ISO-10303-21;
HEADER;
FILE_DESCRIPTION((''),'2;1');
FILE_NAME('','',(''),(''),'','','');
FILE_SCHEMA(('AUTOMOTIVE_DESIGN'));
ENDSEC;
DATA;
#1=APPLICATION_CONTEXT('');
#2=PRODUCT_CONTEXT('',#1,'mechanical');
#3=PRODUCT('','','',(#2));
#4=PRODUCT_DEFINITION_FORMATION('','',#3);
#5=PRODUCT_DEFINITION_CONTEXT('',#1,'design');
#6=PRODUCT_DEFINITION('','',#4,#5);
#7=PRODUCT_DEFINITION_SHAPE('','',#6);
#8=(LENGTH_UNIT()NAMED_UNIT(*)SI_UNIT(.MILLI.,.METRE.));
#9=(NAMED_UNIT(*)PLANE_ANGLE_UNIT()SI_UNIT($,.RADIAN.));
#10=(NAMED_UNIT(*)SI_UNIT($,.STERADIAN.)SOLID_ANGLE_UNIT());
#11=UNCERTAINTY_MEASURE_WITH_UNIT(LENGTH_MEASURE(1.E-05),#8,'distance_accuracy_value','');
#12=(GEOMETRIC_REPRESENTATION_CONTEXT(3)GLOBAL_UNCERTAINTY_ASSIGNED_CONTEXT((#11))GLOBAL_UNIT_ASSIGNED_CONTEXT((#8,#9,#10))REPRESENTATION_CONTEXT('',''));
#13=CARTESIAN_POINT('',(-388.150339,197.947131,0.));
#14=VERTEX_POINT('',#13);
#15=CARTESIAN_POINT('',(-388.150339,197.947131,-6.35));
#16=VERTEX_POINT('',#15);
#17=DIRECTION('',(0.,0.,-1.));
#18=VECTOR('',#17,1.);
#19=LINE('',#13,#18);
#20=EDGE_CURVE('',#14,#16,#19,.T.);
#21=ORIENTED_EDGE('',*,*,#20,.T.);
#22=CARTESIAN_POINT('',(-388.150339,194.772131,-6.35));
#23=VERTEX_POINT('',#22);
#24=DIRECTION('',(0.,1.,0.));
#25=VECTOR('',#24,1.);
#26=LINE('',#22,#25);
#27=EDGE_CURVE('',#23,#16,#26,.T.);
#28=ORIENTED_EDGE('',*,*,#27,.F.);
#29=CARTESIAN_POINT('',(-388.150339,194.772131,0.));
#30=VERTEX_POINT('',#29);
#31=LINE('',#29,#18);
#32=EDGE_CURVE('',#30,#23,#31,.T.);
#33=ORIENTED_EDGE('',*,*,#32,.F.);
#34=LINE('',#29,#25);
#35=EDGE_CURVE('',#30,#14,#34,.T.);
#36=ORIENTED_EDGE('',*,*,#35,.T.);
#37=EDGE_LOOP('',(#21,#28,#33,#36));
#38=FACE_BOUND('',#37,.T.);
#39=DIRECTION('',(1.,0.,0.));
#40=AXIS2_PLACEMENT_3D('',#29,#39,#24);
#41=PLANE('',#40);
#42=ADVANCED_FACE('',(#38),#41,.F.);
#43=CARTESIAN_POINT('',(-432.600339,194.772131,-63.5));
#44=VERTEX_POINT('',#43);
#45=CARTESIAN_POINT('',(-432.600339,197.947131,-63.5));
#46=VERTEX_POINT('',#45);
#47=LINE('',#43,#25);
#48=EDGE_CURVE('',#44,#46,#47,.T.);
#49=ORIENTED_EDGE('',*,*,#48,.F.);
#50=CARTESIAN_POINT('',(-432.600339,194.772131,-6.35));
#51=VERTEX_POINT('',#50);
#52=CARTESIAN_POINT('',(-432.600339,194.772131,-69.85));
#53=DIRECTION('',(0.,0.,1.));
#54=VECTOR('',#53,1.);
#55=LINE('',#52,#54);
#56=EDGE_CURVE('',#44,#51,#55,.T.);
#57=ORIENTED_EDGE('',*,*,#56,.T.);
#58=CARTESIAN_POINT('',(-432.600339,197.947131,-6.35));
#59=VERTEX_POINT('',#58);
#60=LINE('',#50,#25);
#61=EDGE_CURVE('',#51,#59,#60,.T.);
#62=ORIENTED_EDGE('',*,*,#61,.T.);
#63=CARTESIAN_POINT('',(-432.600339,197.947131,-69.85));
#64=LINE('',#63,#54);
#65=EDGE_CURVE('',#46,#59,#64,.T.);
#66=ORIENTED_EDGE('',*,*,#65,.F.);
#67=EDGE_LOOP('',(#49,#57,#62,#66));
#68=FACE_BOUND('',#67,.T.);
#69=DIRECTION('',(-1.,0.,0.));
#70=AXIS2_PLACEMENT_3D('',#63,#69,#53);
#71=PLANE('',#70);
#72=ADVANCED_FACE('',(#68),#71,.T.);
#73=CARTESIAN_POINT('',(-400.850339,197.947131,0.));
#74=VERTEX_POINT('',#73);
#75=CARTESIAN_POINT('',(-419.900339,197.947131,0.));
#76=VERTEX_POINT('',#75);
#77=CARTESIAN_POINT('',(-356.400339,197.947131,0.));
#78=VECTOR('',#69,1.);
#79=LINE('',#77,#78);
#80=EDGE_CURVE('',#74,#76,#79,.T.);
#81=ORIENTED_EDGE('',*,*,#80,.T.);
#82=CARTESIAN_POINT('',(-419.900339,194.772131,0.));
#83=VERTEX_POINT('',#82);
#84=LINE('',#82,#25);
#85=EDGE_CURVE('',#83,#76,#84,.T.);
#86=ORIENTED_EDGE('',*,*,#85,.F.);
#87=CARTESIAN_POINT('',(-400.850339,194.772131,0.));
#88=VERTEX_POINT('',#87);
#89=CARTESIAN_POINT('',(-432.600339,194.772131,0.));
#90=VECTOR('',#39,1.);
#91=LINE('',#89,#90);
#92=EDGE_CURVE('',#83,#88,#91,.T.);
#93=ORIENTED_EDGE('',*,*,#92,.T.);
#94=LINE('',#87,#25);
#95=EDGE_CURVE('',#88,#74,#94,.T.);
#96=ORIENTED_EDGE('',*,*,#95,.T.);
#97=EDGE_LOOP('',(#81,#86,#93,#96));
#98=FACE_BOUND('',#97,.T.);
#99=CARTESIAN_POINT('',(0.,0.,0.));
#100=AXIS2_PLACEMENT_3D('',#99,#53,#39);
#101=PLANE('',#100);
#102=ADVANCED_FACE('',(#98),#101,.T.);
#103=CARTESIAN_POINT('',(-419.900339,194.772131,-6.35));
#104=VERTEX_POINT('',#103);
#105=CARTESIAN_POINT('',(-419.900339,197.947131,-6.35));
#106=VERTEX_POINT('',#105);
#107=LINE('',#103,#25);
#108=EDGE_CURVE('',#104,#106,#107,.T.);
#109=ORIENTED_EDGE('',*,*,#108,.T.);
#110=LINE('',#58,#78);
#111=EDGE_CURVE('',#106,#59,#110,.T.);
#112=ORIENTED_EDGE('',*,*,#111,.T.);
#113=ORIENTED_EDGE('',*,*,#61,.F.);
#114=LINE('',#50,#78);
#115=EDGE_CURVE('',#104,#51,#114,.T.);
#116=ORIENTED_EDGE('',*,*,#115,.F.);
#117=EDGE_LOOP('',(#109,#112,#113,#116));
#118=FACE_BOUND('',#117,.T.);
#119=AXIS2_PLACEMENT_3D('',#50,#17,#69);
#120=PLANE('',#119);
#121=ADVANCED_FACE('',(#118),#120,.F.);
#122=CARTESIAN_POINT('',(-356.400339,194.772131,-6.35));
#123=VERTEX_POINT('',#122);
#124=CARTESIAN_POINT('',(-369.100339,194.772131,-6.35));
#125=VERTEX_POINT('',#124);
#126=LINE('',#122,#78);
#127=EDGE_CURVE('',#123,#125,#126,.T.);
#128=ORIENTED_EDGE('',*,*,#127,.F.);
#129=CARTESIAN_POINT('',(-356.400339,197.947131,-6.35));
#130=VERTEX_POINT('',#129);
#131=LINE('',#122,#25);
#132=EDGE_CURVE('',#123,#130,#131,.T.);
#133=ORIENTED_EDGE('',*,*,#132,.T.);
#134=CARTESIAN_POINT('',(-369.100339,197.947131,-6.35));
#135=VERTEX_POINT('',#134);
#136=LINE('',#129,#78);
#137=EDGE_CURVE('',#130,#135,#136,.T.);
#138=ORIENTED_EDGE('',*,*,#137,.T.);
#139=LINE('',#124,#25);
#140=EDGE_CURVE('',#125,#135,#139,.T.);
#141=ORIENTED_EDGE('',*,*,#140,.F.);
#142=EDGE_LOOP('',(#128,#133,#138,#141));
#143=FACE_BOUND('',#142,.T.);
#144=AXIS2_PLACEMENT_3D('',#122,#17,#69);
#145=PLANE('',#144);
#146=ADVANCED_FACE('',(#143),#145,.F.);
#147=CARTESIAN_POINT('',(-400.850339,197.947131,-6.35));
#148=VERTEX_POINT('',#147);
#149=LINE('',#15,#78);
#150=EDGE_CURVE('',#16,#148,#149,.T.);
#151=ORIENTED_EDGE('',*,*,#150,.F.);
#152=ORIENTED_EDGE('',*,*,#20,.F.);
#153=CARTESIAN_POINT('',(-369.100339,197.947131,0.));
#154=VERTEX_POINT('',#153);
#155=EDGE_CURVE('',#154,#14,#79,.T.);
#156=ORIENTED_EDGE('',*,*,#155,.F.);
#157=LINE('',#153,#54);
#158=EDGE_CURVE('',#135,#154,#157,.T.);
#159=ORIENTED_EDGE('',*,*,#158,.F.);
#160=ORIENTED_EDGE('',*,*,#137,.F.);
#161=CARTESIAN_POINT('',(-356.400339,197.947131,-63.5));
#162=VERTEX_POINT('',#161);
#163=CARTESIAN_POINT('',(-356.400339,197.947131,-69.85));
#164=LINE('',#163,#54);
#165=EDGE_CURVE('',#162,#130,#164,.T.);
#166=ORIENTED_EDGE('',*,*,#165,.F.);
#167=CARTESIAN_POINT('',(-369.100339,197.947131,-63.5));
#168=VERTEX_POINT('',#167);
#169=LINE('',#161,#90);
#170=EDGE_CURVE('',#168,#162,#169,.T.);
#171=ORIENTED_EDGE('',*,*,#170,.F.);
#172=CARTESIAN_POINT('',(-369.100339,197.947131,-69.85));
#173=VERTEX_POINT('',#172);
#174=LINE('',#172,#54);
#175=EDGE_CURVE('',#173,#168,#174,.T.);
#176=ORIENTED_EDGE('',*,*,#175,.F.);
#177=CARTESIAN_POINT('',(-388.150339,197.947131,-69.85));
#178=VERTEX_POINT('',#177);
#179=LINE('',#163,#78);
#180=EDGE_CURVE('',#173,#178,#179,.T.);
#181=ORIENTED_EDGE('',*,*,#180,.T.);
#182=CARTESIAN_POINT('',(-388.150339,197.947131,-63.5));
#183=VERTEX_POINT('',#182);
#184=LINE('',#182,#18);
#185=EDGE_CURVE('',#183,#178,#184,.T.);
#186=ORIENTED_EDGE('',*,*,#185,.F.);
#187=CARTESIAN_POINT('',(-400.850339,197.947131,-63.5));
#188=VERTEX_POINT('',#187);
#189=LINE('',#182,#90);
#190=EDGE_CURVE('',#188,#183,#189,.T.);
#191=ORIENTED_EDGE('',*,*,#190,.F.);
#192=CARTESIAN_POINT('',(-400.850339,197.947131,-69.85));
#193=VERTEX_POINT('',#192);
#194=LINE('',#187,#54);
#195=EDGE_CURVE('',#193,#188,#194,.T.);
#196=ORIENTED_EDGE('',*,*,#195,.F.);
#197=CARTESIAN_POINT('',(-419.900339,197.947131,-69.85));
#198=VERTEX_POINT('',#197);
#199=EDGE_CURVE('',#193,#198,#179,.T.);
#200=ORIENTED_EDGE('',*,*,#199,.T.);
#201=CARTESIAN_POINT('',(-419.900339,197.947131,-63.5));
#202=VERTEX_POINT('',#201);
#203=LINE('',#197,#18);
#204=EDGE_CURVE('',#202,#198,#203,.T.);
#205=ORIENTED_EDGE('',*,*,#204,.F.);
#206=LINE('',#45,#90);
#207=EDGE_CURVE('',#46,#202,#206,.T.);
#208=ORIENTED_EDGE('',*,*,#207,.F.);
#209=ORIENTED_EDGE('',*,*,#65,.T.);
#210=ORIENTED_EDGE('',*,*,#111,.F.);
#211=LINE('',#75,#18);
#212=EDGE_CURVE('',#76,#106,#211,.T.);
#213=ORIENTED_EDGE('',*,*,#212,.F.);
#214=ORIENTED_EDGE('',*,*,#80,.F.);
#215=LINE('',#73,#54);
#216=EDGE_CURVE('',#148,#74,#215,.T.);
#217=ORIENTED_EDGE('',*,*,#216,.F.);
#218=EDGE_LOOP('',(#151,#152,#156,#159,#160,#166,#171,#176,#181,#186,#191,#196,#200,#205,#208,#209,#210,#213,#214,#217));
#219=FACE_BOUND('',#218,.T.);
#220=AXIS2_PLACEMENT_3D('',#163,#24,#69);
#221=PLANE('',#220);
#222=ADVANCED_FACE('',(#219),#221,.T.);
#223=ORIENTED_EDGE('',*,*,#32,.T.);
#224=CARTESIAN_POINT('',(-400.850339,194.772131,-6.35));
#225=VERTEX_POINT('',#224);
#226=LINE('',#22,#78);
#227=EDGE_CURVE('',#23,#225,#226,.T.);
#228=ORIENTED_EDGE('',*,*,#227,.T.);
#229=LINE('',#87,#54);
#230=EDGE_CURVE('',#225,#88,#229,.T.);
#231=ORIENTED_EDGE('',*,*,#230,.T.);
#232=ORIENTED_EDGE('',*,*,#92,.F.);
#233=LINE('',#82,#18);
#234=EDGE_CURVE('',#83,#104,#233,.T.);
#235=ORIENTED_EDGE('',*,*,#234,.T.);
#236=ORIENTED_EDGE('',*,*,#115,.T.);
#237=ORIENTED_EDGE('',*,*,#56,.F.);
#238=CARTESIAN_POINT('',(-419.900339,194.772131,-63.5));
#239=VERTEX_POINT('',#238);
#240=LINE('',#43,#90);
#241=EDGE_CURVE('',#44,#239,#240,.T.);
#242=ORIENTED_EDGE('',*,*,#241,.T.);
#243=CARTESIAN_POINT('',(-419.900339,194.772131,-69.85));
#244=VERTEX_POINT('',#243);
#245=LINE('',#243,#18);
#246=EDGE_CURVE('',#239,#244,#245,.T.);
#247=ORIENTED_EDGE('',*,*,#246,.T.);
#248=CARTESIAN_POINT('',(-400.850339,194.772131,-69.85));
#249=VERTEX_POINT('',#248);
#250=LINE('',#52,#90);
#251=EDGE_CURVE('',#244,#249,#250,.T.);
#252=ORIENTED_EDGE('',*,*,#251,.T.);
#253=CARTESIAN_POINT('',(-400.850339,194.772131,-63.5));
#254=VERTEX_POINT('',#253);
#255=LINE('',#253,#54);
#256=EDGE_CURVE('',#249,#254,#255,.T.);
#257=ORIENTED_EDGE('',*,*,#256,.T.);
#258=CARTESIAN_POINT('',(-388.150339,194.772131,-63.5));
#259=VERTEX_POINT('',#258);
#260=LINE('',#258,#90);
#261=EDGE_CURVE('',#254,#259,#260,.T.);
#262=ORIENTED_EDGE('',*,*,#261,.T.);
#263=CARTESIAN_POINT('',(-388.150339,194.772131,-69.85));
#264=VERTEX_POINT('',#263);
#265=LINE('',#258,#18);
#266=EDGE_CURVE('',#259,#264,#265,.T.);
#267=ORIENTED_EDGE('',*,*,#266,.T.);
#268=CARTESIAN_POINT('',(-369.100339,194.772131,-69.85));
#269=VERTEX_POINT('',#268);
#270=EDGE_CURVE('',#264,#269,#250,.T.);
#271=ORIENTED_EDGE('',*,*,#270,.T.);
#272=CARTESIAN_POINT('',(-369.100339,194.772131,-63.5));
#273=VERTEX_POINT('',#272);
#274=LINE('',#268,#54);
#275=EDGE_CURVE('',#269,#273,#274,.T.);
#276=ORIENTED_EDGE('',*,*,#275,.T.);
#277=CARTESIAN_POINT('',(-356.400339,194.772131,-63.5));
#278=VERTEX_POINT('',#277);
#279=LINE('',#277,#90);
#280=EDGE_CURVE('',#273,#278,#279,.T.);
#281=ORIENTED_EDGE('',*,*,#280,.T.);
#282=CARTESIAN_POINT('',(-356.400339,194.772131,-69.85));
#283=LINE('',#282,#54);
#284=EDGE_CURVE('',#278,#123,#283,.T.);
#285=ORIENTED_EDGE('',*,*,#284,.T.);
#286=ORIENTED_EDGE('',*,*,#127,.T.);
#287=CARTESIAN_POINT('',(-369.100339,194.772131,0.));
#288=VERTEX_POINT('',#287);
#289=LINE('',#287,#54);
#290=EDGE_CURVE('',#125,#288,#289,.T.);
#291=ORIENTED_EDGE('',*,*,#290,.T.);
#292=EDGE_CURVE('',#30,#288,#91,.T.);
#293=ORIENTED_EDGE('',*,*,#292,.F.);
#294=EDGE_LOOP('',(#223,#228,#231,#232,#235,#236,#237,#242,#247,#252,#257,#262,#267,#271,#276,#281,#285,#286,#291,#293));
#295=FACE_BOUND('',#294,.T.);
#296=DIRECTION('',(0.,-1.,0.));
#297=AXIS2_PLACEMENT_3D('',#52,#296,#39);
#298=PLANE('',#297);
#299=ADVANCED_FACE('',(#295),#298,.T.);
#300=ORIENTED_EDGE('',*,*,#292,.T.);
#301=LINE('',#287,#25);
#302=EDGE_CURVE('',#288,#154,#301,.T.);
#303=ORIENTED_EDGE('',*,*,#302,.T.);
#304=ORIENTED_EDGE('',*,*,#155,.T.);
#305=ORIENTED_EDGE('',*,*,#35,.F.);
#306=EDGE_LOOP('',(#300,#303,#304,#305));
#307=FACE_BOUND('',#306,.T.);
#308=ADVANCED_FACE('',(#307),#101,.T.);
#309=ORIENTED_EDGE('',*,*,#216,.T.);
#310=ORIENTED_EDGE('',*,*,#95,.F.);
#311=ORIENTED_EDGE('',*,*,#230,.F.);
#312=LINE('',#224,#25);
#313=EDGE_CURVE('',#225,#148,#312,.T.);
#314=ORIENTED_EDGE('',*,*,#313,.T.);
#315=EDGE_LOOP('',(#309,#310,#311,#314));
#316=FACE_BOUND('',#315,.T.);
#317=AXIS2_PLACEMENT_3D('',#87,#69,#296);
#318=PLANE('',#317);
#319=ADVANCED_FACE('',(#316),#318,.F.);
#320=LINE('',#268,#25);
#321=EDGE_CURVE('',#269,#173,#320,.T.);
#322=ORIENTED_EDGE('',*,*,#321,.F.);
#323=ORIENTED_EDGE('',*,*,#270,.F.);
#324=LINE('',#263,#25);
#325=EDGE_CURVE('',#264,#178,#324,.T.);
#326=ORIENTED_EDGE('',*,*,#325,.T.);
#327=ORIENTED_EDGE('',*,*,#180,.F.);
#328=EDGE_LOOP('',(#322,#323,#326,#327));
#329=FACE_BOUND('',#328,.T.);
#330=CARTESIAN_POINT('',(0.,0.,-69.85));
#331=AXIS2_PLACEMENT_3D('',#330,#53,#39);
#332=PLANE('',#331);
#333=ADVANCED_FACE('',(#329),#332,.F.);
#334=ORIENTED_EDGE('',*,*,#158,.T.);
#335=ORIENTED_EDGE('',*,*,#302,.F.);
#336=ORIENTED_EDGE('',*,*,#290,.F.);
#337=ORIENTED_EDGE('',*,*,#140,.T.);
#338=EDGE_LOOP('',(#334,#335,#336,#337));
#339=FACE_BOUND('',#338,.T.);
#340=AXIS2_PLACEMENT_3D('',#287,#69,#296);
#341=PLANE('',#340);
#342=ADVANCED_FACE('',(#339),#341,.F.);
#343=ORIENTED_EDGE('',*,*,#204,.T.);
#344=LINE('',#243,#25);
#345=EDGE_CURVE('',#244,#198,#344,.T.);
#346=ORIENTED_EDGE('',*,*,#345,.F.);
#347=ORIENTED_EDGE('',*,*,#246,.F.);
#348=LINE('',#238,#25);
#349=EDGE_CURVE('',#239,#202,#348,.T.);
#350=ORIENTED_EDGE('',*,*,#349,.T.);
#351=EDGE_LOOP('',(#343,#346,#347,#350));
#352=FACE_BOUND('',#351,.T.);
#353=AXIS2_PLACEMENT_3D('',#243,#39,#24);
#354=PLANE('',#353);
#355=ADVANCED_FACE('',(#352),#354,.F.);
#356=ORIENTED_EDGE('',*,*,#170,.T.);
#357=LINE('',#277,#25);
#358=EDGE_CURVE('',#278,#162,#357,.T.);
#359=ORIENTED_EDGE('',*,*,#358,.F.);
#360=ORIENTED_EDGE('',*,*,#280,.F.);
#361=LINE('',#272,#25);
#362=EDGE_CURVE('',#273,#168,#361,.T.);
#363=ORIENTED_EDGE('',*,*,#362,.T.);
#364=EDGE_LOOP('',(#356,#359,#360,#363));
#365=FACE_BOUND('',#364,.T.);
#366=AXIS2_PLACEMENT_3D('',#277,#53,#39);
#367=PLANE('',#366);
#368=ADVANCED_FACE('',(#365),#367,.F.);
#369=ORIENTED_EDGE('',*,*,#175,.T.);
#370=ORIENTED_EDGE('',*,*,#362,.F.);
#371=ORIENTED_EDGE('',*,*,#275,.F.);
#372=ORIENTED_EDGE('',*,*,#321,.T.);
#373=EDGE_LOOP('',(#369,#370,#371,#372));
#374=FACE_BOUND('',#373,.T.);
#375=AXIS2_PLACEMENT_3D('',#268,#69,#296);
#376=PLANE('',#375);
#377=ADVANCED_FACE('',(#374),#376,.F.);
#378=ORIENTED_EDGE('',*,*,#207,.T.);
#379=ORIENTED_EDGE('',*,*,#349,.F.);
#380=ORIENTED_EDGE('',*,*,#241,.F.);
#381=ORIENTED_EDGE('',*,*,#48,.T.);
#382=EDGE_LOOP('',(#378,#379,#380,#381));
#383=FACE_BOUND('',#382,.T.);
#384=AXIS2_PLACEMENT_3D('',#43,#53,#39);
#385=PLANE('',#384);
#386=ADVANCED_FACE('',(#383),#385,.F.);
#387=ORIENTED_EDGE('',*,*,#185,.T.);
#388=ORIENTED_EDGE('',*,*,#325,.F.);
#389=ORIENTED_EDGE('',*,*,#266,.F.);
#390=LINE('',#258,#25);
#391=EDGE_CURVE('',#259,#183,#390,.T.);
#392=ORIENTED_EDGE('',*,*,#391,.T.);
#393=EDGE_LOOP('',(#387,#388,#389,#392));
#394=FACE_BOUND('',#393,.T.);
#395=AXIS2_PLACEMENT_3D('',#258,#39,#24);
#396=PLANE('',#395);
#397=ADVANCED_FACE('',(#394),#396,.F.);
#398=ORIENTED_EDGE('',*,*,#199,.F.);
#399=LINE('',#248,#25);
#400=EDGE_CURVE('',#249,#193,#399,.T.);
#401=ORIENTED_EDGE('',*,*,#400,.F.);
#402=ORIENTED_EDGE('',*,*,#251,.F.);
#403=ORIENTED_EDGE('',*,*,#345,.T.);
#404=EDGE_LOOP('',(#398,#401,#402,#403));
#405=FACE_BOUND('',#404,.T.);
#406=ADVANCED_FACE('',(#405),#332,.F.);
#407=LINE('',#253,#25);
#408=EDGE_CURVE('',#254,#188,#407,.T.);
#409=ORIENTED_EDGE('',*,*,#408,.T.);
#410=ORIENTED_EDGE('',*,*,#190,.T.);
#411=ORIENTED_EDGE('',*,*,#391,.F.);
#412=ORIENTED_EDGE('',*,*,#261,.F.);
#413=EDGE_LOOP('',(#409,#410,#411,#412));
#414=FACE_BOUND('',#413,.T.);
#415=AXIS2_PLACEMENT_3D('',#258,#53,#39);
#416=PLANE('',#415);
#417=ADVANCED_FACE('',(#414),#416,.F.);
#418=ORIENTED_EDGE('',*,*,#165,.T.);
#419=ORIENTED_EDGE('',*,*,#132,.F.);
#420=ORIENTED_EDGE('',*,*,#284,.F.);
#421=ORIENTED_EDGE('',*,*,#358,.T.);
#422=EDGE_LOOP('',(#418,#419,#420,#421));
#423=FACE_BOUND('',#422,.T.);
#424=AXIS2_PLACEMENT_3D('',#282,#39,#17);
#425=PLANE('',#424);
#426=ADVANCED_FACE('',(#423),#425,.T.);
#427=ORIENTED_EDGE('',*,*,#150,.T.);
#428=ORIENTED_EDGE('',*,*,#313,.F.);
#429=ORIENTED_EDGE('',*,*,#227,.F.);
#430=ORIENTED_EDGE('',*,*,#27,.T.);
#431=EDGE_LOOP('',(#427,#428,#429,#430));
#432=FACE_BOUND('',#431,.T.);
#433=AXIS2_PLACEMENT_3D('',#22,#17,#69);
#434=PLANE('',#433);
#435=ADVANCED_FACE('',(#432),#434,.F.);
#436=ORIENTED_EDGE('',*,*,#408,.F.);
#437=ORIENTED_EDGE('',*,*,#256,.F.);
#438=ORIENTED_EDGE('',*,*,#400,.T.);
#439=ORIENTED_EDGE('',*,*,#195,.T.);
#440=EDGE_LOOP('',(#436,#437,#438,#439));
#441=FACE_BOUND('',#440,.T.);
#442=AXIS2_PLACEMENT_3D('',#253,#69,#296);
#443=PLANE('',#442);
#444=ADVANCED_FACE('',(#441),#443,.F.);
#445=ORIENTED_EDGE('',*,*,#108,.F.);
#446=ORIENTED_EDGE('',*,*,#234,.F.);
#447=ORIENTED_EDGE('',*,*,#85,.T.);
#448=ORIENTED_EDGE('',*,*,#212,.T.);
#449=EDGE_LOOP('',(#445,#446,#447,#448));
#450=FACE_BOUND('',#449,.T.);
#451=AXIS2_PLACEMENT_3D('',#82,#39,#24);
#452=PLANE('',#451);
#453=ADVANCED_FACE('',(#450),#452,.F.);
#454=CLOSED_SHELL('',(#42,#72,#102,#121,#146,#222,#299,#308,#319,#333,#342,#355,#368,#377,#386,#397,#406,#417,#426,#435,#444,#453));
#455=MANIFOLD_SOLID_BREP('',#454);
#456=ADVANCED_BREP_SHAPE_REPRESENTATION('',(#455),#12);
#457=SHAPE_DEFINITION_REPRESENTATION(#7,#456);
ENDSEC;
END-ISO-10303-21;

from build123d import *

# Parameters (mm, degrees)
SKETCH1_W           = 76.2
SKETCH1_H           = 3.175
BOSS_EXTRUDE1_DEPTH = 69.85
SKETCH2_W           = 12.7
SKETCH2_H           = 6.35
CUT_EXTRUDE1_DEPTH  = 439.214737942


with BuildPart() as part:
    # Sketch1 → Boss-Extrude1 (new body)
    with BuildSketch(Plane.XY):
        with Locations((-394.500339141, 196.359630659)):
            Rectangle(SKETCH1_W, SKETCH1_H)
    extrude(amount=-BOSS_EXTRUDE1_DEPTH)

    # Sketch2 → Cut-Extrude1 (cut, through all)
    with BuildSketch(Plane(origin=(0, 197.947130659, 0), x_dir=(1, 0, 0), z_dir=(0, 1, 0))):
        with Locations((-362.750339141, 3.175)):
            Rectangle(SKETCH2_W, SKETCH2_H)
        with Locations((-394.500339141, 3.175)):
            Rectangle(SKETCH2_W, SKETCH2_H)
        with Locations((-426.250339141, 3.175)):
            Rectangle(SKETCH2_W, SKETCH2_H)
        with Locations((-362.750339141, 66.675)):
            Rectangle(SKETCH2_W, SKETCH2_H)
        with Locations((-394.500339141, 66.675)):
            Rectangle(SKETCH2_W, SKETCH2_H)
        with Locations((-426.250339141, 66.675)):
            Rectangle(SKETCH2_W, SKETCH2_H)
    extrude(amount=-CUT_EXTRUDE1_DEPTH, mode=Mode.SUBTRACT)


solid = part.part
